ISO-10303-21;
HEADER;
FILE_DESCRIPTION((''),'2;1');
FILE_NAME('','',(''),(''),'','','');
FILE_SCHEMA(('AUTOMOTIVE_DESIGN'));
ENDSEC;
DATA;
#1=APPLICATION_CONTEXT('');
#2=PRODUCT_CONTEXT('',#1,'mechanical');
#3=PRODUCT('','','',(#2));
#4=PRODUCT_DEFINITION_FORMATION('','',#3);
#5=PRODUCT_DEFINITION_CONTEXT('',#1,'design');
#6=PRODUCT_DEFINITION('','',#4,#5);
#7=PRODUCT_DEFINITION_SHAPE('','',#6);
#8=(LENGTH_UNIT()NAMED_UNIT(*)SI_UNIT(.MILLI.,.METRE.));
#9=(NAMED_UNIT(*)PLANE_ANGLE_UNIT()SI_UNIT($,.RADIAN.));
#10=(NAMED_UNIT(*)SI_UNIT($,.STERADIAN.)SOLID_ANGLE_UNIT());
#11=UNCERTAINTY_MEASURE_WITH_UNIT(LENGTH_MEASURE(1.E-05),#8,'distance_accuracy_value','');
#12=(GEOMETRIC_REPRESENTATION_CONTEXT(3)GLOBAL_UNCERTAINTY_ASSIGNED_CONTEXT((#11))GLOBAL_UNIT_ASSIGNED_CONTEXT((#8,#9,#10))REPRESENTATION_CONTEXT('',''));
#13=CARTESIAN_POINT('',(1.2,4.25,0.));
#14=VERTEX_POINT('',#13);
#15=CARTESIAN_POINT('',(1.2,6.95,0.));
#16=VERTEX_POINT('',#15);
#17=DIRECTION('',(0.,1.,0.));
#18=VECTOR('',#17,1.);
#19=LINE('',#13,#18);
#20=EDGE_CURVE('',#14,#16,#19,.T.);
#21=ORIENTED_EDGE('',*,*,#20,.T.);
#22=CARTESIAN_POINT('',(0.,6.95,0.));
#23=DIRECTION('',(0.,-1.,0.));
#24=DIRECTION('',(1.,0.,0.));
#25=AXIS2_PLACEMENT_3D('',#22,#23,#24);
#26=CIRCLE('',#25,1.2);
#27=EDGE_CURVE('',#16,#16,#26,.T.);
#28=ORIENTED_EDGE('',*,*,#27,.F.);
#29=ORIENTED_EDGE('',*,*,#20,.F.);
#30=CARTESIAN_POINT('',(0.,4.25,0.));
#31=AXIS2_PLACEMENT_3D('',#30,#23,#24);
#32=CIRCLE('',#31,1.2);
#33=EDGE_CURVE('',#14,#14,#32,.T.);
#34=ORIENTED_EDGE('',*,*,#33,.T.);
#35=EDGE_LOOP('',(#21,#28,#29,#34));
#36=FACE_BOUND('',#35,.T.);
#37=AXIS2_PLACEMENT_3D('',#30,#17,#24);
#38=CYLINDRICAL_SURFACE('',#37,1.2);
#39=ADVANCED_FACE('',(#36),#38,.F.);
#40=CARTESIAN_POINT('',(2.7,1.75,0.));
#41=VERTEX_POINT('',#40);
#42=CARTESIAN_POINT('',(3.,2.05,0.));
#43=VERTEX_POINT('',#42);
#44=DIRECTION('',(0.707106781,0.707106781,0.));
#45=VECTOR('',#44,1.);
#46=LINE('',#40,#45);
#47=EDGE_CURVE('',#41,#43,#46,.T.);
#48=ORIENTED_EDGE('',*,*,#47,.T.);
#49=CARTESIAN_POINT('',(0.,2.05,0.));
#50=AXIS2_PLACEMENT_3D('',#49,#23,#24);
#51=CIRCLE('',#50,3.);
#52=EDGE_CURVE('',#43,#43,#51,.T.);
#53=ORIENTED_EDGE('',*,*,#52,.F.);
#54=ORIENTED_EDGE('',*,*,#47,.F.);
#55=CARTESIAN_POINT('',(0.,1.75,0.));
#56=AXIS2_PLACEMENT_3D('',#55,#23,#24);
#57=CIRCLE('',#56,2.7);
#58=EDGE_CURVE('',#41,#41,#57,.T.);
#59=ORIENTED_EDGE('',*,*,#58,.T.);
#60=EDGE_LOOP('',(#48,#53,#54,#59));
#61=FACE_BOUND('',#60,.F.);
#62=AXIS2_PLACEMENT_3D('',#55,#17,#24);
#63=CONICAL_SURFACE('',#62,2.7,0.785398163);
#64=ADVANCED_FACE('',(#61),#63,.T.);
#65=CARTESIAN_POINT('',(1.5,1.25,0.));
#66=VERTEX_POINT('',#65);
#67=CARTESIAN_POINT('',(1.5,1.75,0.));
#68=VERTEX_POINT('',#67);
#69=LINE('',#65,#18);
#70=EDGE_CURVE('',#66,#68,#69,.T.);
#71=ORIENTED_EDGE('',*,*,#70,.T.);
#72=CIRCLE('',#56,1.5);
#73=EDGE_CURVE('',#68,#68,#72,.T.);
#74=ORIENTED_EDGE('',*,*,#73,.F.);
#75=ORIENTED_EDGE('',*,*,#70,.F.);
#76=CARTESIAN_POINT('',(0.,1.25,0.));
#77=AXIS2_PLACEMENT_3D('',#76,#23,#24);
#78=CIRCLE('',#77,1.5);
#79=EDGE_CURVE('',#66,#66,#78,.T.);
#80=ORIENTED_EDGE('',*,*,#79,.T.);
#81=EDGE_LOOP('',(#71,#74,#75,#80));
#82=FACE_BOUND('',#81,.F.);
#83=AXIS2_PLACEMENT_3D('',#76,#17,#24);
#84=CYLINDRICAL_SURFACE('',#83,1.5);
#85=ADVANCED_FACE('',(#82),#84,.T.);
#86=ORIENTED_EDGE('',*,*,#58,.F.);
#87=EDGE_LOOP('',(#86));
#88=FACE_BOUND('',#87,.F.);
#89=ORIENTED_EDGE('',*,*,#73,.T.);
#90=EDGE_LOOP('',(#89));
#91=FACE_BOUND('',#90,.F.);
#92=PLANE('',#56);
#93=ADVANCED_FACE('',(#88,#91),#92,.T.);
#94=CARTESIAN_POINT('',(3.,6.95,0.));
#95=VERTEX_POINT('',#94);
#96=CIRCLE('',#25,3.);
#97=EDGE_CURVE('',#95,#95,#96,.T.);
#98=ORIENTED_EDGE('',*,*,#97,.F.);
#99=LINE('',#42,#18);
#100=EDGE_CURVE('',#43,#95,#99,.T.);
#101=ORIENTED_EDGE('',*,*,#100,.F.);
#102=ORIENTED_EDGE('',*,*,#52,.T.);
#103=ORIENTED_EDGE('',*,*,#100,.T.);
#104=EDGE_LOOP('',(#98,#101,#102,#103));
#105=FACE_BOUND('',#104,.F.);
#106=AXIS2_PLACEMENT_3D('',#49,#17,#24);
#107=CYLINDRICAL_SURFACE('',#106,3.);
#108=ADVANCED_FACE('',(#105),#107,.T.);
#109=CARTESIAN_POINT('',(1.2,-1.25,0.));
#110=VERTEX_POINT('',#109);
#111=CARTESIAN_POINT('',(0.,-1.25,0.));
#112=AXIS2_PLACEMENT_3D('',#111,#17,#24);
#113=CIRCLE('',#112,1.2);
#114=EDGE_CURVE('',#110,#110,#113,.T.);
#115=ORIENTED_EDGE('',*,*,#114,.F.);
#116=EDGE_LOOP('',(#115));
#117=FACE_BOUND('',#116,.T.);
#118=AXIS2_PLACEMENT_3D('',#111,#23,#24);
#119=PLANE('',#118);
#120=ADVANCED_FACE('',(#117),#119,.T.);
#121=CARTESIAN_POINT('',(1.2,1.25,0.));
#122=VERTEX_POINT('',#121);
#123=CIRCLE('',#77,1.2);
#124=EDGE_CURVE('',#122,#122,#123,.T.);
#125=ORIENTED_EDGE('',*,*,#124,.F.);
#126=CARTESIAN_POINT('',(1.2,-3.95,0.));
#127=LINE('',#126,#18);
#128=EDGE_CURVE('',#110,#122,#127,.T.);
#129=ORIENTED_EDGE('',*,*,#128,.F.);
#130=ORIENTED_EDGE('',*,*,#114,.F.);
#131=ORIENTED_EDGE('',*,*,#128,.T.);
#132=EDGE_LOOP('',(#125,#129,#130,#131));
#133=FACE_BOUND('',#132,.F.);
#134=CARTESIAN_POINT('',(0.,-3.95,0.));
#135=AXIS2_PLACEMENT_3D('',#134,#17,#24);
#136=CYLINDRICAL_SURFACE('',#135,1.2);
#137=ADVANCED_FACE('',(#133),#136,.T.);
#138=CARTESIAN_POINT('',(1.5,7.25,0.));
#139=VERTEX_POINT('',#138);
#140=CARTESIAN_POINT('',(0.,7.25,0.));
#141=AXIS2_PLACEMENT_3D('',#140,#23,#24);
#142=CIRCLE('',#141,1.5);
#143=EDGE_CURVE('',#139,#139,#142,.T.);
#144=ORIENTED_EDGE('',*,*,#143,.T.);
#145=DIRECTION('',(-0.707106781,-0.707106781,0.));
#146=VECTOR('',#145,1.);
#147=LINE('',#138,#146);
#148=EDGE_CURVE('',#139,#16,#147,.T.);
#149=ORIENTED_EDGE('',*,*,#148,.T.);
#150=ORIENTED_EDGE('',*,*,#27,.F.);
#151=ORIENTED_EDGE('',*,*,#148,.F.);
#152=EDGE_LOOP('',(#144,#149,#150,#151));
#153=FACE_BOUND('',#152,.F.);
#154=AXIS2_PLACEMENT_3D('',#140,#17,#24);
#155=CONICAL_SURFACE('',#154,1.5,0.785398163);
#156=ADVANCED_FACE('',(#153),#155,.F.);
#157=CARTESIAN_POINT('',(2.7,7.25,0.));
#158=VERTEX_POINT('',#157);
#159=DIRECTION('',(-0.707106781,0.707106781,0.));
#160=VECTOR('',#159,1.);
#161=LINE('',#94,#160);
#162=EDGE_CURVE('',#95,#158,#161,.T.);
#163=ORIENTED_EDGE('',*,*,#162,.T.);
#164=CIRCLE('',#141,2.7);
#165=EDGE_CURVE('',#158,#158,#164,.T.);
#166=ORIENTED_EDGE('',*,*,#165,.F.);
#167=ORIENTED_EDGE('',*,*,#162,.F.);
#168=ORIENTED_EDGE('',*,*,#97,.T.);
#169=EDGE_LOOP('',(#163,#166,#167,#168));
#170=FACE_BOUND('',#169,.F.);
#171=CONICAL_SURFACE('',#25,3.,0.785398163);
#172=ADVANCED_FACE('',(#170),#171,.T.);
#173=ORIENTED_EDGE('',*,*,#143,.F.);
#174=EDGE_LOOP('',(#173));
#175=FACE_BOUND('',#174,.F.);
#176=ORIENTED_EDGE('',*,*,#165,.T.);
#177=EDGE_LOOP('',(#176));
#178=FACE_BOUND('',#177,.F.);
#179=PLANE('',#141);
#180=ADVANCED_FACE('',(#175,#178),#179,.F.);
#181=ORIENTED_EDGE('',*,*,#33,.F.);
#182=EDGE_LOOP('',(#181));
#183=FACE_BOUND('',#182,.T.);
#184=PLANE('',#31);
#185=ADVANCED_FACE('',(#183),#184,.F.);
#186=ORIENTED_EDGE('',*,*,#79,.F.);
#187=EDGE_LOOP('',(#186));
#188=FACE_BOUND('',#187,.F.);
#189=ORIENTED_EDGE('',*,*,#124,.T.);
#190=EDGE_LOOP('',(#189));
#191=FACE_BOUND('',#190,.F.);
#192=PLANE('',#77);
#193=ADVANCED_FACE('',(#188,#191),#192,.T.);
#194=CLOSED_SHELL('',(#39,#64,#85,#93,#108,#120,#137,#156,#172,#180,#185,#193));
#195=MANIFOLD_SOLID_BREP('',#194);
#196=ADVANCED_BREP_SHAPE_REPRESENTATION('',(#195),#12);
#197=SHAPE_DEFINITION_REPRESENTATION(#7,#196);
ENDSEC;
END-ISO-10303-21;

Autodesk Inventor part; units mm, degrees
ref_plane "YZ Plane" through (0, 0, 0) normal (1, 0, 0) x (0, 1, 0)
ref_plane "XZ Plane" through (0, 0, 0) normal (0, 1, 0) x (-1, 0, 0)
ref_plane "XY Plane" through (0, 0, 0) normal (0, 0, 1) x (1, 0, 0)
sketch "スケッチ1" plane through (0, 0, 0) normal (0, 0, 1) x (1, 0, 0)
  line L0 (0, -4.25) -> (0.9, -4.25)
  line L1 (0.9, -4.25) -> (1.2, -3.95)
  line L2 (1.2, -3.95) -> (1.2, 1.25)
  line L3 (1.2, 1.25) -> (1.5, 1.25)
  line L4 (1.5, 1.25) -> (1.5, 1.75)
  line L5 (1.5, 1.75) -> (2.7, 1.75)
  line L6 (3, 6.95) -> (2.7, 7.25)
  line L7 (2.7, 7.25) -> (1.5, 7.25)
  line L8 (1.5, 7.25) -> (1.2, 6.95)
  line L9 (0, 7.4044) -> (0, -7.4044) construction
  line L10 (0, -4.25) -> (0, 4.25)
  line L11 (0, 4.25) -> (1.2, 4.25)
  line L12 (1.2, 4.25) -> (1.2, 6.95)
  line L13 (2.7, 1.75) -> (3, 2.05)
  line L14 (3, 2.05) -> (3, 6.95)
  point P0 (0, 0)
  point P1 (0, 0)
  dimension "d0" = 2.4
  dimension "d1" = 6
  dimension "d2" = 0.3
  dimension "d3" = 0.3
  dimension "d4" = 3
  dimension "d5" = 0.5
  dimension "d6" = 5.5
  dimension "d8" = 0.3
  dimension "d9" = 2.4
  dimension "d10" = 3
  dimension "d11" = 0.3
  dimension "d12" = 0.3
  dimension "d13" = 0.3
  dimension "d14" = 0.3
  dimension "d15" = 6
revolve "回転1" add sketch "スケッチ1" angle 360 about axis through (0, 7.4044, 0) along (0, -1, 0)
sketch "スケッチ3" plane through (0, -4.25, 0) normal (0, -1, 0) x (1, 0, 0)
  circle A0 centre (0, 0) radius 0.9 projected
  circle A1 centre (0, 0) radius 4.1426
extrude "押し出し2" cut sketch "スケッチ3" against normal blind 3 contours A0 | A1
equation "\"d3\" = d2"
equation "\"d11\" = d8"
equation "\"d12\" = d8"
equation "\"d13\" = d12"
equation "\"d14\" = d13"
properties part number "BRU-305_5" material "ステンレス鋼 AISI 304"
